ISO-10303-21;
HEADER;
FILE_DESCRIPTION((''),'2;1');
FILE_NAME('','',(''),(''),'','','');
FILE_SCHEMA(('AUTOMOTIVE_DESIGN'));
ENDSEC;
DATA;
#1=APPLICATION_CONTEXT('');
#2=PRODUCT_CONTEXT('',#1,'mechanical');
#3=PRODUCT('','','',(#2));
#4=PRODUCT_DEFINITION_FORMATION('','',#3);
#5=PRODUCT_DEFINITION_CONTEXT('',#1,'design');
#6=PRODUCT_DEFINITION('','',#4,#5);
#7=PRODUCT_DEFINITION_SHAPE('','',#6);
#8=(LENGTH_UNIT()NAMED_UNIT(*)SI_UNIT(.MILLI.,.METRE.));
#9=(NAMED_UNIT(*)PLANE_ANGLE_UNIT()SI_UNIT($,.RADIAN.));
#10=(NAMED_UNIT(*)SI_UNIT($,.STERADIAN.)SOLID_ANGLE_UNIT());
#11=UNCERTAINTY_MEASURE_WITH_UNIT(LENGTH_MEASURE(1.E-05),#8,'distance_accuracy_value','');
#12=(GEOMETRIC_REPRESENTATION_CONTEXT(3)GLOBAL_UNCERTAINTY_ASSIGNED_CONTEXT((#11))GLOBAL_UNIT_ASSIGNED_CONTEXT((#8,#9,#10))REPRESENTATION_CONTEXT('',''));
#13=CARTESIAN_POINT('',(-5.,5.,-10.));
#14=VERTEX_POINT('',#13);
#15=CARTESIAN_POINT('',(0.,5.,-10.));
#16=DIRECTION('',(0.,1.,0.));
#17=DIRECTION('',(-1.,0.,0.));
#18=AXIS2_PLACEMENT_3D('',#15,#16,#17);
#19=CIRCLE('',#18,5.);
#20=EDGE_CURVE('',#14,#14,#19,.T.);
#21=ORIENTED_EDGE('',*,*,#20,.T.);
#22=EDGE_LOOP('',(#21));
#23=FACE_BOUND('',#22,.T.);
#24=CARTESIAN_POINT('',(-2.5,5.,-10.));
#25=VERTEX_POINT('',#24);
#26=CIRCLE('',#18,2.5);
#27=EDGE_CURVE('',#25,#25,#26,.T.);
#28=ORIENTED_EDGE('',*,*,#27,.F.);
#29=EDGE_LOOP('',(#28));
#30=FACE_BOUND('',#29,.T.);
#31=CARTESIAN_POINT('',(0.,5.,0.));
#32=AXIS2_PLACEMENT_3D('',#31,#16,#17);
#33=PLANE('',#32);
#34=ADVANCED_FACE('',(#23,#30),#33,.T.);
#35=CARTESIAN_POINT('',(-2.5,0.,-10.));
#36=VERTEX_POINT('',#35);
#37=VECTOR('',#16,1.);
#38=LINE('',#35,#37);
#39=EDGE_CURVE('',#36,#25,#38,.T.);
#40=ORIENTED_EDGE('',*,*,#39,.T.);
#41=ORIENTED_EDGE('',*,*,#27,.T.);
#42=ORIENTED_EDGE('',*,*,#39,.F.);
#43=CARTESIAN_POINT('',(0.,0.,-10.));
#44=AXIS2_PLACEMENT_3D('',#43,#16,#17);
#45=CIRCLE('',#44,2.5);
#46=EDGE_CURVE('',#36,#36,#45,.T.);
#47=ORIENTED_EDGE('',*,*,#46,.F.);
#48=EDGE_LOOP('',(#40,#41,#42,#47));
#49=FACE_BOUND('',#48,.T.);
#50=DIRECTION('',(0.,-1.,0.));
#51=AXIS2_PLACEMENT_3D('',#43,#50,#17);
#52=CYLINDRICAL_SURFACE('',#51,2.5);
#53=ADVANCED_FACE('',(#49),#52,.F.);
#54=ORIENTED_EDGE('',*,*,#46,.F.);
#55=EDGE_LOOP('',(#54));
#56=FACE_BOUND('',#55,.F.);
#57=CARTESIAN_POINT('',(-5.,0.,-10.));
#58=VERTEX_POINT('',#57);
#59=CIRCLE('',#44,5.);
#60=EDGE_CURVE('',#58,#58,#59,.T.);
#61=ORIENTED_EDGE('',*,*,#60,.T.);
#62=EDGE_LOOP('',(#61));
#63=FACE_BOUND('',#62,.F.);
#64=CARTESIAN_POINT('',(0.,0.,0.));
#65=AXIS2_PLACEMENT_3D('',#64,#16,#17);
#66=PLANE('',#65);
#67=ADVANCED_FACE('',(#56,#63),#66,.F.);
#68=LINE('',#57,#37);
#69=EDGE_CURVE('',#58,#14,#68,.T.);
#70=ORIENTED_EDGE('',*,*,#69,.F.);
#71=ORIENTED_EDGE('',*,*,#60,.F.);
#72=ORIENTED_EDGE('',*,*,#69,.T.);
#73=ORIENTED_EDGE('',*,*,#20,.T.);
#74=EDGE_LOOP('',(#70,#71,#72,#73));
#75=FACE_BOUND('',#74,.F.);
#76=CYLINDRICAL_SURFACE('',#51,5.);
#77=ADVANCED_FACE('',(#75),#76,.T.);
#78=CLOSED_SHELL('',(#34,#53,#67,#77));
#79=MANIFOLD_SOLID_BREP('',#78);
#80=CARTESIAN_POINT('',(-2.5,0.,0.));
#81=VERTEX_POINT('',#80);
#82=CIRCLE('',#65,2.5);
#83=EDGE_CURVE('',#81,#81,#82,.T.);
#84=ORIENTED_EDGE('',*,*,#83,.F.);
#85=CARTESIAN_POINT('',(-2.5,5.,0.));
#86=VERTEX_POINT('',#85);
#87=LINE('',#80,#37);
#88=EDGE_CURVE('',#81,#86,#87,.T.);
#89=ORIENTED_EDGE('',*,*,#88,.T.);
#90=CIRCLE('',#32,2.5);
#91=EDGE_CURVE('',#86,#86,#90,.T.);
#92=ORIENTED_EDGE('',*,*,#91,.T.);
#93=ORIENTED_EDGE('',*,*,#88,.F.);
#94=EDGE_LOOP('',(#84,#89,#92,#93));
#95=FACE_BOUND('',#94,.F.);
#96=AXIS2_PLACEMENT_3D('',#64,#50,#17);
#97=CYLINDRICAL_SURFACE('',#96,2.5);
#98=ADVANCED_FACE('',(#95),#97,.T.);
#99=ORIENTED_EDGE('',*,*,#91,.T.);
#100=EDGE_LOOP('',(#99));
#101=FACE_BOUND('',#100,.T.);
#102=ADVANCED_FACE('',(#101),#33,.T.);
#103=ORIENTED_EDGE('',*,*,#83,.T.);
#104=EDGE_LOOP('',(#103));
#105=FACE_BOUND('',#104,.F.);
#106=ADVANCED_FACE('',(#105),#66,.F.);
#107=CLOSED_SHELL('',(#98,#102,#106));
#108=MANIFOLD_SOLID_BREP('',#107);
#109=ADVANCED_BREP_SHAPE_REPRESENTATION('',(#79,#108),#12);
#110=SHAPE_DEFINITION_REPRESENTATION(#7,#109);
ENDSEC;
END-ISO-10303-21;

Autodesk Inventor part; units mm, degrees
ref_plane "YZ Plane" through (0, 0, 0) normal (1, 0, 0) x (0, 1, 0)
ref_plane "XZ Plane" through (0, 0, 0) normal (0, 1, 0) x (-1, 0, 0)
ref_plane "XY Plane" through (0, 0, 0) normal (0, 0, 1) x (1, 0, 0)
sketch "Sketch1" plane through (0, 0, 0) normal (0, 1, 0) x (-1, 0, 0)
  circle A0 centre (0, 0) radius 2.5
  circle A1 centre (0, -10) radius 5
  circle A2 centre (0, -10) radius 2.5
  dimension "d0" = 5
  dimension "d1" = 10
  dimension "d2" = 5
  dimension "d3" = 10
extrude "Extrusion1" add sketch "Sketch1" along normal blind 5
